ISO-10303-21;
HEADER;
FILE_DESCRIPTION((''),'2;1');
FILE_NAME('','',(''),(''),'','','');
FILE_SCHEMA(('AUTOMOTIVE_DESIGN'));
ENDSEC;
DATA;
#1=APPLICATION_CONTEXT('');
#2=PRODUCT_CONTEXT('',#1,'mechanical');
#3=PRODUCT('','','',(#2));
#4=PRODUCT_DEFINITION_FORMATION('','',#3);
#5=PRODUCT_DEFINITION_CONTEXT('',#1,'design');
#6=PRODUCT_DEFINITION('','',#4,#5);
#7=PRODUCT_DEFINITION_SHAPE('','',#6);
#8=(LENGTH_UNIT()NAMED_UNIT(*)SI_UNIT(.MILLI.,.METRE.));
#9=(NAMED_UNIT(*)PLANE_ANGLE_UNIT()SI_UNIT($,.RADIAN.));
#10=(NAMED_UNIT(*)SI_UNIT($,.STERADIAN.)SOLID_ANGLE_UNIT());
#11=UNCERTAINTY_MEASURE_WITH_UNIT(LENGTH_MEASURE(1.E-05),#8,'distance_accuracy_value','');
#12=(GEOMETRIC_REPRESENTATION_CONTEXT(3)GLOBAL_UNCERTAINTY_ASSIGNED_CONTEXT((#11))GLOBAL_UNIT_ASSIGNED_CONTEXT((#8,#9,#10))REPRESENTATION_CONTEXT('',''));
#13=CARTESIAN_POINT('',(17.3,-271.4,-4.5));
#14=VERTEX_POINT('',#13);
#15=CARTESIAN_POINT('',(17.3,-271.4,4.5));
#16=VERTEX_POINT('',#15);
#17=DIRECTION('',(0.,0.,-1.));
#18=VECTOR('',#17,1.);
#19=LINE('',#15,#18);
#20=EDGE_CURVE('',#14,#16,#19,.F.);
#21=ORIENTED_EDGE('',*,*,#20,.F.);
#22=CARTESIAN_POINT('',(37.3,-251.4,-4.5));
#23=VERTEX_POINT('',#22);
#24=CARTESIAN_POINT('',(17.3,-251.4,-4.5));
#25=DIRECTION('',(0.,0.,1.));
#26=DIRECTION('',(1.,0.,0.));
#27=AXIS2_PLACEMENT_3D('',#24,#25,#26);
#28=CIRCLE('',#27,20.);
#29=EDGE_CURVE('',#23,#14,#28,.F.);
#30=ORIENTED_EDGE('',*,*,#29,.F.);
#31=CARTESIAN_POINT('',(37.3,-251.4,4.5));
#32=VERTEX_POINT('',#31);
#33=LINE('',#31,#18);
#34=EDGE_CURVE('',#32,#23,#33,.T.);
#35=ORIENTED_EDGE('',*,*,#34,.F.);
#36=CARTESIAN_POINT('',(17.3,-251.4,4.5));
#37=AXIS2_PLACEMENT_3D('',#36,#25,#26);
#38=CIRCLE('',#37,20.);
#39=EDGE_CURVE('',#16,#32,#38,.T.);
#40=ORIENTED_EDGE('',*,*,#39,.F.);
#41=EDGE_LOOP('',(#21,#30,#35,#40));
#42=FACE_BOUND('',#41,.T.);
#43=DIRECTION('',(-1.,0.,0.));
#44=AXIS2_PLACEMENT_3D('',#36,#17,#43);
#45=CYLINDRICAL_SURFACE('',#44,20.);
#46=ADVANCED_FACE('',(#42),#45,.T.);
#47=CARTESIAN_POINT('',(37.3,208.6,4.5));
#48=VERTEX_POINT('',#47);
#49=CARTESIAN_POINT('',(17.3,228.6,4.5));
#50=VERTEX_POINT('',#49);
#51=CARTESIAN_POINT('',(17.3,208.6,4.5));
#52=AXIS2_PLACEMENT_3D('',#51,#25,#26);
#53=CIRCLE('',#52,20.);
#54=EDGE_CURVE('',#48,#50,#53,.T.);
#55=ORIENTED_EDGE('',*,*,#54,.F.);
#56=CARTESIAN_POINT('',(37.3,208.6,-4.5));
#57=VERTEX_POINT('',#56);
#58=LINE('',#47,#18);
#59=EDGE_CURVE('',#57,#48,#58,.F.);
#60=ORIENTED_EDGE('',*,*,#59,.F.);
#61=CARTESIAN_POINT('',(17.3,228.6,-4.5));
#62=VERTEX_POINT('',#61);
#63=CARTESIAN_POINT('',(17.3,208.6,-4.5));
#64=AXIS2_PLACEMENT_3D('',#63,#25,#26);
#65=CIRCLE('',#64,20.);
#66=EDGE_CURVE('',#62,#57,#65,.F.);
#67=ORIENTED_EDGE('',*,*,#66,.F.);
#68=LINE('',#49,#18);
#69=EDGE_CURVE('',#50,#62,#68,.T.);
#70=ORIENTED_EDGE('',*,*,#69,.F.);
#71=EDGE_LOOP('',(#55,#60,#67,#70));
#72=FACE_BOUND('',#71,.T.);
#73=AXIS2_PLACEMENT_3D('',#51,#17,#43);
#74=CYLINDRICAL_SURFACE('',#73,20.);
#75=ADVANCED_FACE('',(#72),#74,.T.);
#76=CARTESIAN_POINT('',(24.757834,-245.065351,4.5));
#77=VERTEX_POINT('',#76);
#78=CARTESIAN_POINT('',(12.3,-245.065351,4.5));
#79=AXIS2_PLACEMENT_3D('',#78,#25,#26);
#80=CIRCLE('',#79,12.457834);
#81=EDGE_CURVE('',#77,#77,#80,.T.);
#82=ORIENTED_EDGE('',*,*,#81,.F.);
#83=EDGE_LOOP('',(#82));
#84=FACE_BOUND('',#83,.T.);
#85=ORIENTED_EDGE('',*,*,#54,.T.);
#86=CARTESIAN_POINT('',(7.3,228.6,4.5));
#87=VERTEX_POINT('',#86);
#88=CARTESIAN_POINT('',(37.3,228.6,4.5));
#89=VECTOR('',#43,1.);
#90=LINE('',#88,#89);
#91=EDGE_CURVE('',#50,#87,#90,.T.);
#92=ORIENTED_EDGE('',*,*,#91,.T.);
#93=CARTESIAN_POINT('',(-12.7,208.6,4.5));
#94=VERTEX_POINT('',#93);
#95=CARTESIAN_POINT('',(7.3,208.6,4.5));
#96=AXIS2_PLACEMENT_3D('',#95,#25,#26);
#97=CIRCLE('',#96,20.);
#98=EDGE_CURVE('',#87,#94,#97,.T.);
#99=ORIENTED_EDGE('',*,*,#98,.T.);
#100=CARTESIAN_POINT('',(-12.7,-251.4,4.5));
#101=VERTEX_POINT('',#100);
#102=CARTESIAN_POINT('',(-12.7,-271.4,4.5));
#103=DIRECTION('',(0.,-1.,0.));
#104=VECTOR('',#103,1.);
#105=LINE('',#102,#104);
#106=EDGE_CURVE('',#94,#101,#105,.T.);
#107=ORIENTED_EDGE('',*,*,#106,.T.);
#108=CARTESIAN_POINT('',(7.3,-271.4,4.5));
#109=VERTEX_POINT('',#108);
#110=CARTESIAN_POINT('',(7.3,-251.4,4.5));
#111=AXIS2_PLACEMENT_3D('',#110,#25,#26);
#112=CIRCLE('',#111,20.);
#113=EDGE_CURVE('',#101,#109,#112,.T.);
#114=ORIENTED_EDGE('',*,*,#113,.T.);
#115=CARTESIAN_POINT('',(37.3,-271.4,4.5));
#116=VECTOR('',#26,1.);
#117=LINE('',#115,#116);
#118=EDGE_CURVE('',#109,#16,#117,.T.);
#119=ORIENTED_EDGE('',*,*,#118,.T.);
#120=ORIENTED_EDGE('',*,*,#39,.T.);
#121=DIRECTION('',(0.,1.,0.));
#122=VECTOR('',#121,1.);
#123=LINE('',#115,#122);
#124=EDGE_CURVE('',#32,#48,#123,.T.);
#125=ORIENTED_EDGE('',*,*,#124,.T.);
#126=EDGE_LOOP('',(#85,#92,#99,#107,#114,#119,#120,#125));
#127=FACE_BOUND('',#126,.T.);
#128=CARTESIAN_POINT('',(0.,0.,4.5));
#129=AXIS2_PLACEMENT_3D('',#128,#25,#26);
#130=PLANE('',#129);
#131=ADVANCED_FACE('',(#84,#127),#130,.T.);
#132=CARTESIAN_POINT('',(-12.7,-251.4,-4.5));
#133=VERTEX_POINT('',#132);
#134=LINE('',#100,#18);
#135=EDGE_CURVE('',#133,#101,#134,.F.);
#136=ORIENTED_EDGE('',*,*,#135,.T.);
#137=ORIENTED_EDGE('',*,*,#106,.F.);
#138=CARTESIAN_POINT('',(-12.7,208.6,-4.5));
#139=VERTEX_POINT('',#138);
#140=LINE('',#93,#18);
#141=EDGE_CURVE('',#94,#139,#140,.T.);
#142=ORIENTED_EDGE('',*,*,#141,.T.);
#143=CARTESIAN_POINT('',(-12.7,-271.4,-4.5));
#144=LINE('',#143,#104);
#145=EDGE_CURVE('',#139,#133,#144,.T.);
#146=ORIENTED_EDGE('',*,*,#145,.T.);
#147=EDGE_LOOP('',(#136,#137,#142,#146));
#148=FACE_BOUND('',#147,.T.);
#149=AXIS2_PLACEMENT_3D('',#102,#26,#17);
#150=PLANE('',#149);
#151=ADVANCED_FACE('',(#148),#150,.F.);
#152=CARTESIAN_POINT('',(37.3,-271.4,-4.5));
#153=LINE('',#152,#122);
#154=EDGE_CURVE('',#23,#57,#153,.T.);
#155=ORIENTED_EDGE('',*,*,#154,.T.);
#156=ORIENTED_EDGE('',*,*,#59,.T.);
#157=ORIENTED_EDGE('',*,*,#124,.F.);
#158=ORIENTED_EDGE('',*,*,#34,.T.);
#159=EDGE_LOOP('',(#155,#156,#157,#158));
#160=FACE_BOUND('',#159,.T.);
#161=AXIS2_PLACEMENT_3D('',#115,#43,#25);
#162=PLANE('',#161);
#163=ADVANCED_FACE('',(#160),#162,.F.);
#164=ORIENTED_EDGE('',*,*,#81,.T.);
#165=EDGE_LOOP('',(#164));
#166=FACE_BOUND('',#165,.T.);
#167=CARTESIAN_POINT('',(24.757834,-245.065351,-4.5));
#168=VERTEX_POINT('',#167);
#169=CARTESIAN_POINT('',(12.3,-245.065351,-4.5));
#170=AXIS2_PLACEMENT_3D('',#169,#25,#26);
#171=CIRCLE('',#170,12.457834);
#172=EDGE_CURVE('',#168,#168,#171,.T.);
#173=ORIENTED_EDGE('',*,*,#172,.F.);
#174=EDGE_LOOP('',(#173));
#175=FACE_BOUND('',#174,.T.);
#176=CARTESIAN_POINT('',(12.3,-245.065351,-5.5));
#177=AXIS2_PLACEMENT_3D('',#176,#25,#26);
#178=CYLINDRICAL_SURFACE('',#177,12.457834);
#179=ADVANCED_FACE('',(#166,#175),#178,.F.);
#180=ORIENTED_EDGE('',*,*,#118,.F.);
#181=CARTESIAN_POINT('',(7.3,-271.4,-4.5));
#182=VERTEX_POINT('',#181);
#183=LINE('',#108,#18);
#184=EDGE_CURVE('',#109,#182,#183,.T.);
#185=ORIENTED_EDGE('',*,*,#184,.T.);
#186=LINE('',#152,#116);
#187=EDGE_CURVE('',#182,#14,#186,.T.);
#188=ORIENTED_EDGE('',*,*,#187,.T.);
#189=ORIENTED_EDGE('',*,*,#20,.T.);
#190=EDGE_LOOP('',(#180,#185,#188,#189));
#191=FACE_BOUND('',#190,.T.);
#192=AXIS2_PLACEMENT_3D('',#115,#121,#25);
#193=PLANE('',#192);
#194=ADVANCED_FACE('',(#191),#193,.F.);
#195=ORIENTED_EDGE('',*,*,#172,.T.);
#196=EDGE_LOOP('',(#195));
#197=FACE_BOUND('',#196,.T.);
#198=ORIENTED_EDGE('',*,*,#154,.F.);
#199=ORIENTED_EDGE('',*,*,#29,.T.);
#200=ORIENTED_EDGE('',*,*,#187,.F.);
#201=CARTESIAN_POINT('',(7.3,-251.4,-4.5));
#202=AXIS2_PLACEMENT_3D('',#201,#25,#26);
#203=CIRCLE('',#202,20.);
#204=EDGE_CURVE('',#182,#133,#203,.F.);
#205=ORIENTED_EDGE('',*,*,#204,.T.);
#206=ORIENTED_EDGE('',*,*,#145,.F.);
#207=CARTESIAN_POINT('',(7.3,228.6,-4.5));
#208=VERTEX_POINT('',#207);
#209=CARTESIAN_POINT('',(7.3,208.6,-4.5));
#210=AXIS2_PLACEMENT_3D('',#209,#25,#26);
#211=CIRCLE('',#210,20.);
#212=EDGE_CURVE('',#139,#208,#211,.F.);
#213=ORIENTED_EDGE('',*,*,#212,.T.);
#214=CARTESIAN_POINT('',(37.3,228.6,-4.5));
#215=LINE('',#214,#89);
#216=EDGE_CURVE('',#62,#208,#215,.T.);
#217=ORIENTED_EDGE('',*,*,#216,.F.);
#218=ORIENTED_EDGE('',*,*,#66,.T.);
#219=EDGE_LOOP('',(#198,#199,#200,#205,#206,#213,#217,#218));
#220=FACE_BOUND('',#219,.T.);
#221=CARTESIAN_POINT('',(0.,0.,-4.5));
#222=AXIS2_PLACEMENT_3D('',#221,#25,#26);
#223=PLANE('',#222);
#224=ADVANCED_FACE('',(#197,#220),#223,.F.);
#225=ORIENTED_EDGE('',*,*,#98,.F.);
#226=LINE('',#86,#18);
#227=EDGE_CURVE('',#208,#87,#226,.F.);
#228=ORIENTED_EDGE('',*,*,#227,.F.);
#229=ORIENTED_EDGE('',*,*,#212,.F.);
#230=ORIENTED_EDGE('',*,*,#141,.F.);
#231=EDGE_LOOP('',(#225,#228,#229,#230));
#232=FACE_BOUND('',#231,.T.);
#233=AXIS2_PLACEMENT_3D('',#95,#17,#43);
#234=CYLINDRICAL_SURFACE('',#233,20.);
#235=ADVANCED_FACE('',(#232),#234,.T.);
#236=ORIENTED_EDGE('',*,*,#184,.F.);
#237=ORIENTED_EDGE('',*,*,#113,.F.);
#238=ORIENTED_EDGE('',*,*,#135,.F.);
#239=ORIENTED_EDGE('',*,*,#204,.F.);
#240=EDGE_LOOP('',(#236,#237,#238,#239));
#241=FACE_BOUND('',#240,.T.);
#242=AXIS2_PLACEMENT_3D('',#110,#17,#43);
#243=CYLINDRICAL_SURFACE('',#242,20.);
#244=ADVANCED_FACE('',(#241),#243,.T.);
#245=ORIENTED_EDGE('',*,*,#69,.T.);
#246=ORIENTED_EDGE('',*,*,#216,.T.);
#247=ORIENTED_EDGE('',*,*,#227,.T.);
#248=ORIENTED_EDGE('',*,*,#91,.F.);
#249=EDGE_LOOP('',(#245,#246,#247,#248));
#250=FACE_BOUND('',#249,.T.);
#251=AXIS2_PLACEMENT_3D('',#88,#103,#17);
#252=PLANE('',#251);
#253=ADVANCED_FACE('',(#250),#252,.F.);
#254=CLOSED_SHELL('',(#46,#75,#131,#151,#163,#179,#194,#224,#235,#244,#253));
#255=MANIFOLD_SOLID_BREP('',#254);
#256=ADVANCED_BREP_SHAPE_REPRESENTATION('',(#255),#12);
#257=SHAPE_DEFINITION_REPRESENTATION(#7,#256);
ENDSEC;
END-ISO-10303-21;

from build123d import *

# Parameters (mm, degrees)
SKETCH7_W           = 50
SKETCH7_H           = 500
BOSS_EXTRUDE1_DEPTH = 4.5
FILLET1_R           = 20
SKETCH9_R           = 12.457833995
CUT_EXTRUDE2_DEPTH  = 10


with BuildPart() as part:
    # Sketch7 → Boss-Extrude1 (new, symmetric)
    with BuildSketch(Plane.XY):
        with Locations((12.3, -21.4)):
            Rectangle(SKETCH7_W, SKETCH7_H)
    extrude(amount=BOSS_EXTRUDE1_DEPTH, both=True)

    # Fillet1
    fillet1_edges = [part.edges().sort_by_distance(p)[0] for p in [
        (-12.7, 228.6, 0),
        (37.3, 228.6, 0),
        (37.3, -271.4, 0),
        (-12.7, -271.4, 0),
    ]]
    fillet(fillet1_edges, radius=FILLET1_R)

    # Sketch9 → Cut-Extrude2 (cut)
    with BuildSketch(Plane.XY.offset(4.5)):
        with Locations((12.3, -245.065350927)):
            Circle(SKETCH9_R)
    extrude(amount=-CUT_EXTRUDE2_DEPTH, mode=Mode.SUBTRACT)


solid = part.part
